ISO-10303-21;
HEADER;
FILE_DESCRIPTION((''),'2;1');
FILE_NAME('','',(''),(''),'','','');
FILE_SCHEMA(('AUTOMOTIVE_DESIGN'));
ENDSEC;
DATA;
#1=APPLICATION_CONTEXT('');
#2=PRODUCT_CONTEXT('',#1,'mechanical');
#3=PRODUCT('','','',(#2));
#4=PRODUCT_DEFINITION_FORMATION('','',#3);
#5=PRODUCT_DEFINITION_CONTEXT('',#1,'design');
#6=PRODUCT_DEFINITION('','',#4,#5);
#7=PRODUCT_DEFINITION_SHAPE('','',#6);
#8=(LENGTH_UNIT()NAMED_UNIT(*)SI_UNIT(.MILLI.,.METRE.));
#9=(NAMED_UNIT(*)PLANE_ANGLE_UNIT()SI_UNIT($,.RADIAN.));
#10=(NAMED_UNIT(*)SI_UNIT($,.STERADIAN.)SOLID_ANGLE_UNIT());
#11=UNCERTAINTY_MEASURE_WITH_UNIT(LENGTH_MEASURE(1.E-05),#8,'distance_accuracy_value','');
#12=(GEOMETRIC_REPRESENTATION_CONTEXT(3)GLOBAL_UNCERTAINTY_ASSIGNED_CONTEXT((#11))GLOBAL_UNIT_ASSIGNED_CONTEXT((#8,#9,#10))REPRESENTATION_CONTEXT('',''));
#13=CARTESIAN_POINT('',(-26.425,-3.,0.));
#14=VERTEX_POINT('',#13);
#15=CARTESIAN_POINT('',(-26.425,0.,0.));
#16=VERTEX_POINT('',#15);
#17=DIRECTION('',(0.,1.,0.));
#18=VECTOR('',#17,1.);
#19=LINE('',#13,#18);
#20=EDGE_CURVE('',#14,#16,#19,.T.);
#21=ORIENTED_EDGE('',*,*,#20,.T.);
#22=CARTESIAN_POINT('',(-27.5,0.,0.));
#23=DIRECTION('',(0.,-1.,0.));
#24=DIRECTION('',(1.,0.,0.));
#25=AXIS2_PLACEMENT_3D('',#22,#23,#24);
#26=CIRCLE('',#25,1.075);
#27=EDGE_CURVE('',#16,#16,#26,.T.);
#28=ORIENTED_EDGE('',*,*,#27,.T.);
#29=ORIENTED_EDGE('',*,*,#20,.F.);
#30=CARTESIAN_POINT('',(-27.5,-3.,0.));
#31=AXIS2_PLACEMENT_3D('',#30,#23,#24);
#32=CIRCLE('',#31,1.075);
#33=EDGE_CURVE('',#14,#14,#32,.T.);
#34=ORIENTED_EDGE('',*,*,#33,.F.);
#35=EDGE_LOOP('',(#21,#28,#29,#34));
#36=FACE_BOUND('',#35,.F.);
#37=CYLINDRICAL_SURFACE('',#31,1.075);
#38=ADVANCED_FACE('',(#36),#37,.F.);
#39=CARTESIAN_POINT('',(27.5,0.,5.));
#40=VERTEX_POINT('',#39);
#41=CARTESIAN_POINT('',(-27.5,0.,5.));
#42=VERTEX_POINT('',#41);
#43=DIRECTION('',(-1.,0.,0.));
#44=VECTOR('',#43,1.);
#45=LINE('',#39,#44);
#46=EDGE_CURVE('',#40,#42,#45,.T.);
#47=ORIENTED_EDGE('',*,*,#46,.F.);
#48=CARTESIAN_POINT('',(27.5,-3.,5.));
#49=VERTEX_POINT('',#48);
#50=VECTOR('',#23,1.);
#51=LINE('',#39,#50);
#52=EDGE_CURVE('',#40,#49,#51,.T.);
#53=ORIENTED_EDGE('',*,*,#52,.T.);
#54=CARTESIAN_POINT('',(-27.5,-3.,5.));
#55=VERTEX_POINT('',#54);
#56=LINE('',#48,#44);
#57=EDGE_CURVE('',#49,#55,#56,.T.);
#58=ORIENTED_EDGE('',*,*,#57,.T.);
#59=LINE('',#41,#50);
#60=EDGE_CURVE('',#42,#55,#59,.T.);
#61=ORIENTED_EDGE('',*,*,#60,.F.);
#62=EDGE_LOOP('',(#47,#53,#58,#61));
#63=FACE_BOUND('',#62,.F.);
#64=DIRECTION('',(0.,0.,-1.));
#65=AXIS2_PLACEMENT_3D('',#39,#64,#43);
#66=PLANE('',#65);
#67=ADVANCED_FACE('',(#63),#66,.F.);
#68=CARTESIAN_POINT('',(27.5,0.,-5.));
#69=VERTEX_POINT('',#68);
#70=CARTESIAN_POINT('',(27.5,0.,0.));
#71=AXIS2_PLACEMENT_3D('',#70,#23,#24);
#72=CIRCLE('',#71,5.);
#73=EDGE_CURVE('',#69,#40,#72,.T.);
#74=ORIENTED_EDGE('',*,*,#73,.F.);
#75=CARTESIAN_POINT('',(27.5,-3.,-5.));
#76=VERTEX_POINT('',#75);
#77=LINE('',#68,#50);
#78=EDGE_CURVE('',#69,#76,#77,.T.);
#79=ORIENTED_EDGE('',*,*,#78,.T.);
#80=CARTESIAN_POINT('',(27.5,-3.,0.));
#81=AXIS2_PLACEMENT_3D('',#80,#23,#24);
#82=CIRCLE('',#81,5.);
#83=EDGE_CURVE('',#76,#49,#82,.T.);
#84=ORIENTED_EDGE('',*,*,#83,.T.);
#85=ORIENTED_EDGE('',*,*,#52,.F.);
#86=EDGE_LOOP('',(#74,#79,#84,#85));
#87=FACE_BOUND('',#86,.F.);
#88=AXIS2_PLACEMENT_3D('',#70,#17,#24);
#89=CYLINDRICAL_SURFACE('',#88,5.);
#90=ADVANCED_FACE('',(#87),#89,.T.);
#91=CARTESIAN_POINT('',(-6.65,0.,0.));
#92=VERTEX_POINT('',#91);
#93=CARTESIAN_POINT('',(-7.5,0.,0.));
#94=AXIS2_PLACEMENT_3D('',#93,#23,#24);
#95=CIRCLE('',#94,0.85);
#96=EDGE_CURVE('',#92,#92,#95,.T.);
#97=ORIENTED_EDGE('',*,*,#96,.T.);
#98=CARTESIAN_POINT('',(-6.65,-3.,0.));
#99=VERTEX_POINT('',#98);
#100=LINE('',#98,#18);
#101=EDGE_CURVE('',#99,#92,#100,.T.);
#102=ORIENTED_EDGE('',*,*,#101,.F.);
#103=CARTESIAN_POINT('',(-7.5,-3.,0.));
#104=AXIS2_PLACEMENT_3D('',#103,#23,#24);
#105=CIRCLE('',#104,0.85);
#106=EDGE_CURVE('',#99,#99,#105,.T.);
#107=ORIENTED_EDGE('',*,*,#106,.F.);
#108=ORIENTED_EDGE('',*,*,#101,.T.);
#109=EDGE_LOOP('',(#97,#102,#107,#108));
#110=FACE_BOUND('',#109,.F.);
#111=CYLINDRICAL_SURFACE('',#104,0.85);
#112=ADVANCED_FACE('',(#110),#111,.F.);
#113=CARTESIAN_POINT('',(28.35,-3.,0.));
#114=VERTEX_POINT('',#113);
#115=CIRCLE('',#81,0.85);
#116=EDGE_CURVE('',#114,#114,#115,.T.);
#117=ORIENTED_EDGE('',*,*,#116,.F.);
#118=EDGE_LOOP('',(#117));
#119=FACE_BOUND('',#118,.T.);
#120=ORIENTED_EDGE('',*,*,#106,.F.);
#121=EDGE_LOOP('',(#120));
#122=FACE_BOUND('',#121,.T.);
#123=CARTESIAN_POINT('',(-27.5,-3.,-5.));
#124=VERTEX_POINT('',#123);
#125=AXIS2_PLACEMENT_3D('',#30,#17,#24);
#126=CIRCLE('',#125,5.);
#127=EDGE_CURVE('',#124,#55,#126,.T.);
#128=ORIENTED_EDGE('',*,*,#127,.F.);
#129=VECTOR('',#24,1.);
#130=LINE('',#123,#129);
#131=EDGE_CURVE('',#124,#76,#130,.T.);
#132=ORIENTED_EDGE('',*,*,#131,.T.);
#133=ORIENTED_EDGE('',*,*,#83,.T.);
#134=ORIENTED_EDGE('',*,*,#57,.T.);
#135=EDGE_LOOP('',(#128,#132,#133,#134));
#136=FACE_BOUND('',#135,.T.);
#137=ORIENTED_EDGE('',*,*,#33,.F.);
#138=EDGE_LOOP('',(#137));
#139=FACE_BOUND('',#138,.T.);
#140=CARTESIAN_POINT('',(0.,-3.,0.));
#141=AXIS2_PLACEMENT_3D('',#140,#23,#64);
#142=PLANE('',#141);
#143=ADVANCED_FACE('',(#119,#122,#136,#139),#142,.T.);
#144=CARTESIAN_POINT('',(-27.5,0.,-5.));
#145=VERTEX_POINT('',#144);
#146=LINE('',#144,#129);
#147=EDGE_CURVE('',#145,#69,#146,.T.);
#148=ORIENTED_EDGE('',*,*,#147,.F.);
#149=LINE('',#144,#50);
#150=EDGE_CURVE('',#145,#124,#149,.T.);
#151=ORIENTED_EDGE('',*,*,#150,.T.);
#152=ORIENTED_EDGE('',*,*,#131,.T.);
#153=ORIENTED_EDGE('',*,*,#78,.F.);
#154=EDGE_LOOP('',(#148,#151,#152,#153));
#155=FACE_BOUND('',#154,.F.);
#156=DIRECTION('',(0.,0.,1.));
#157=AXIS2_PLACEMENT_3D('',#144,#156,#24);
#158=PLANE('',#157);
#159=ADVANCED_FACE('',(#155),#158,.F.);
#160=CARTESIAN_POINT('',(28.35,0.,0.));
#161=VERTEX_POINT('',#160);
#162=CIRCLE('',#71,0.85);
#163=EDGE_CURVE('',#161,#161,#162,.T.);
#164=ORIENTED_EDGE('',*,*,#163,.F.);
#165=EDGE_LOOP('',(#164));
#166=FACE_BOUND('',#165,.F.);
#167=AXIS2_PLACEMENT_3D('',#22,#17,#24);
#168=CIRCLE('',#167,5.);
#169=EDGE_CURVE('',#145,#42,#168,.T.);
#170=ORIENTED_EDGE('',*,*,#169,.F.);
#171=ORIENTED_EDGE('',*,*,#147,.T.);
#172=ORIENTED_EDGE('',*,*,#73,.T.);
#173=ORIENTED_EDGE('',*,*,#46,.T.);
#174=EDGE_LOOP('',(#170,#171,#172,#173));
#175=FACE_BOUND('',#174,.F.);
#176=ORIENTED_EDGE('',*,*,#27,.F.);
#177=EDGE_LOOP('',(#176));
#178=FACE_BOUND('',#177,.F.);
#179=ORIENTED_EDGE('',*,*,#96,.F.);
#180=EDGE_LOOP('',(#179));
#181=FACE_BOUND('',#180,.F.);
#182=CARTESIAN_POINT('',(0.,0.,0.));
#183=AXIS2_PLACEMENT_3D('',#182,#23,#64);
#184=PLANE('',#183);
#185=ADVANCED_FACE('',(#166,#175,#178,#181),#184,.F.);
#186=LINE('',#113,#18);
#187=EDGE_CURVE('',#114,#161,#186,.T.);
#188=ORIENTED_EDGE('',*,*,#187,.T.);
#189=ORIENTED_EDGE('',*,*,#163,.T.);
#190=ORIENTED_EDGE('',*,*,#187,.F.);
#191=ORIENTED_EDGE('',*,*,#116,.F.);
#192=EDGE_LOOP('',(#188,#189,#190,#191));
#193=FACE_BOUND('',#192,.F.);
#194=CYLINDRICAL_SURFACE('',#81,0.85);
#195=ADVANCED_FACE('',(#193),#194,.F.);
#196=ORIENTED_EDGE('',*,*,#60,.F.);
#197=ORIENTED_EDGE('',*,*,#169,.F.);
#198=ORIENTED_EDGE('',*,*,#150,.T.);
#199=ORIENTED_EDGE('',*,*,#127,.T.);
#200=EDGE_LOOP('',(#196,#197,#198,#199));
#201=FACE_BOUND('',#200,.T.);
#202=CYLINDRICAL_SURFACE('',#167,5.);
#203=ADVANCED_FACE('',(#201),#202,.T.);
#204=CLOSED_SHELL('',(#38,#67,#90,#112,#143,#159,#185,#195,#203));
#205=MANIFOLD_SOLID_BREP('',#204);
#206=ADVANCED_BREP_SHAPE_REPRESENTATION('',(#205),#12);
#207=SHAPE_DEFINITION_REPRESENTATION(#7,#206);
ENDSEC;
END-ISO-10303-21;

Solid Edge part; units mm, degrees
sketch "Sketch1" plane through (0, 0, 0) normal (0, -1, 0) x (1, 0, 0)
  line L0 (-27.5, -5) -> (27.5, -5)
  arc A0 (27.5, -5) -> (27.5, 5) centre (27.5, 0) ccw
  line L1 (27.5, 5) -> (-27.5, 5)
  arc A1 (-27.5, -5) -> (-27.5, 5) centre (-27.5, 0) cw
  dimension "D1" = 10
  dimension "D2" = 55
extrude "Ajout_matière_1" add sketch "Sketch1" along normal blind 3
sketch "Sketch2" plane through (0, -3, 0) normal (0, -1, 0) x (1, 0, 0)
  circle A0 centre (-7.5, 0) radius 0.85
  circle A1 centre (-27.5, 0) radius 1.075
  circle A2 centre (27.5, 0) radius 0.85
  dimension "D1" = 1.7
  dimension "D2" = 1.7
  dimension "D3" = 20
  dimension "D4" = 2.15
extrude "Enlèvement_matière_1" cut sketch "Sketch2" against normal blind 215.5447
properties part number "16" material "MDF 3mm"
